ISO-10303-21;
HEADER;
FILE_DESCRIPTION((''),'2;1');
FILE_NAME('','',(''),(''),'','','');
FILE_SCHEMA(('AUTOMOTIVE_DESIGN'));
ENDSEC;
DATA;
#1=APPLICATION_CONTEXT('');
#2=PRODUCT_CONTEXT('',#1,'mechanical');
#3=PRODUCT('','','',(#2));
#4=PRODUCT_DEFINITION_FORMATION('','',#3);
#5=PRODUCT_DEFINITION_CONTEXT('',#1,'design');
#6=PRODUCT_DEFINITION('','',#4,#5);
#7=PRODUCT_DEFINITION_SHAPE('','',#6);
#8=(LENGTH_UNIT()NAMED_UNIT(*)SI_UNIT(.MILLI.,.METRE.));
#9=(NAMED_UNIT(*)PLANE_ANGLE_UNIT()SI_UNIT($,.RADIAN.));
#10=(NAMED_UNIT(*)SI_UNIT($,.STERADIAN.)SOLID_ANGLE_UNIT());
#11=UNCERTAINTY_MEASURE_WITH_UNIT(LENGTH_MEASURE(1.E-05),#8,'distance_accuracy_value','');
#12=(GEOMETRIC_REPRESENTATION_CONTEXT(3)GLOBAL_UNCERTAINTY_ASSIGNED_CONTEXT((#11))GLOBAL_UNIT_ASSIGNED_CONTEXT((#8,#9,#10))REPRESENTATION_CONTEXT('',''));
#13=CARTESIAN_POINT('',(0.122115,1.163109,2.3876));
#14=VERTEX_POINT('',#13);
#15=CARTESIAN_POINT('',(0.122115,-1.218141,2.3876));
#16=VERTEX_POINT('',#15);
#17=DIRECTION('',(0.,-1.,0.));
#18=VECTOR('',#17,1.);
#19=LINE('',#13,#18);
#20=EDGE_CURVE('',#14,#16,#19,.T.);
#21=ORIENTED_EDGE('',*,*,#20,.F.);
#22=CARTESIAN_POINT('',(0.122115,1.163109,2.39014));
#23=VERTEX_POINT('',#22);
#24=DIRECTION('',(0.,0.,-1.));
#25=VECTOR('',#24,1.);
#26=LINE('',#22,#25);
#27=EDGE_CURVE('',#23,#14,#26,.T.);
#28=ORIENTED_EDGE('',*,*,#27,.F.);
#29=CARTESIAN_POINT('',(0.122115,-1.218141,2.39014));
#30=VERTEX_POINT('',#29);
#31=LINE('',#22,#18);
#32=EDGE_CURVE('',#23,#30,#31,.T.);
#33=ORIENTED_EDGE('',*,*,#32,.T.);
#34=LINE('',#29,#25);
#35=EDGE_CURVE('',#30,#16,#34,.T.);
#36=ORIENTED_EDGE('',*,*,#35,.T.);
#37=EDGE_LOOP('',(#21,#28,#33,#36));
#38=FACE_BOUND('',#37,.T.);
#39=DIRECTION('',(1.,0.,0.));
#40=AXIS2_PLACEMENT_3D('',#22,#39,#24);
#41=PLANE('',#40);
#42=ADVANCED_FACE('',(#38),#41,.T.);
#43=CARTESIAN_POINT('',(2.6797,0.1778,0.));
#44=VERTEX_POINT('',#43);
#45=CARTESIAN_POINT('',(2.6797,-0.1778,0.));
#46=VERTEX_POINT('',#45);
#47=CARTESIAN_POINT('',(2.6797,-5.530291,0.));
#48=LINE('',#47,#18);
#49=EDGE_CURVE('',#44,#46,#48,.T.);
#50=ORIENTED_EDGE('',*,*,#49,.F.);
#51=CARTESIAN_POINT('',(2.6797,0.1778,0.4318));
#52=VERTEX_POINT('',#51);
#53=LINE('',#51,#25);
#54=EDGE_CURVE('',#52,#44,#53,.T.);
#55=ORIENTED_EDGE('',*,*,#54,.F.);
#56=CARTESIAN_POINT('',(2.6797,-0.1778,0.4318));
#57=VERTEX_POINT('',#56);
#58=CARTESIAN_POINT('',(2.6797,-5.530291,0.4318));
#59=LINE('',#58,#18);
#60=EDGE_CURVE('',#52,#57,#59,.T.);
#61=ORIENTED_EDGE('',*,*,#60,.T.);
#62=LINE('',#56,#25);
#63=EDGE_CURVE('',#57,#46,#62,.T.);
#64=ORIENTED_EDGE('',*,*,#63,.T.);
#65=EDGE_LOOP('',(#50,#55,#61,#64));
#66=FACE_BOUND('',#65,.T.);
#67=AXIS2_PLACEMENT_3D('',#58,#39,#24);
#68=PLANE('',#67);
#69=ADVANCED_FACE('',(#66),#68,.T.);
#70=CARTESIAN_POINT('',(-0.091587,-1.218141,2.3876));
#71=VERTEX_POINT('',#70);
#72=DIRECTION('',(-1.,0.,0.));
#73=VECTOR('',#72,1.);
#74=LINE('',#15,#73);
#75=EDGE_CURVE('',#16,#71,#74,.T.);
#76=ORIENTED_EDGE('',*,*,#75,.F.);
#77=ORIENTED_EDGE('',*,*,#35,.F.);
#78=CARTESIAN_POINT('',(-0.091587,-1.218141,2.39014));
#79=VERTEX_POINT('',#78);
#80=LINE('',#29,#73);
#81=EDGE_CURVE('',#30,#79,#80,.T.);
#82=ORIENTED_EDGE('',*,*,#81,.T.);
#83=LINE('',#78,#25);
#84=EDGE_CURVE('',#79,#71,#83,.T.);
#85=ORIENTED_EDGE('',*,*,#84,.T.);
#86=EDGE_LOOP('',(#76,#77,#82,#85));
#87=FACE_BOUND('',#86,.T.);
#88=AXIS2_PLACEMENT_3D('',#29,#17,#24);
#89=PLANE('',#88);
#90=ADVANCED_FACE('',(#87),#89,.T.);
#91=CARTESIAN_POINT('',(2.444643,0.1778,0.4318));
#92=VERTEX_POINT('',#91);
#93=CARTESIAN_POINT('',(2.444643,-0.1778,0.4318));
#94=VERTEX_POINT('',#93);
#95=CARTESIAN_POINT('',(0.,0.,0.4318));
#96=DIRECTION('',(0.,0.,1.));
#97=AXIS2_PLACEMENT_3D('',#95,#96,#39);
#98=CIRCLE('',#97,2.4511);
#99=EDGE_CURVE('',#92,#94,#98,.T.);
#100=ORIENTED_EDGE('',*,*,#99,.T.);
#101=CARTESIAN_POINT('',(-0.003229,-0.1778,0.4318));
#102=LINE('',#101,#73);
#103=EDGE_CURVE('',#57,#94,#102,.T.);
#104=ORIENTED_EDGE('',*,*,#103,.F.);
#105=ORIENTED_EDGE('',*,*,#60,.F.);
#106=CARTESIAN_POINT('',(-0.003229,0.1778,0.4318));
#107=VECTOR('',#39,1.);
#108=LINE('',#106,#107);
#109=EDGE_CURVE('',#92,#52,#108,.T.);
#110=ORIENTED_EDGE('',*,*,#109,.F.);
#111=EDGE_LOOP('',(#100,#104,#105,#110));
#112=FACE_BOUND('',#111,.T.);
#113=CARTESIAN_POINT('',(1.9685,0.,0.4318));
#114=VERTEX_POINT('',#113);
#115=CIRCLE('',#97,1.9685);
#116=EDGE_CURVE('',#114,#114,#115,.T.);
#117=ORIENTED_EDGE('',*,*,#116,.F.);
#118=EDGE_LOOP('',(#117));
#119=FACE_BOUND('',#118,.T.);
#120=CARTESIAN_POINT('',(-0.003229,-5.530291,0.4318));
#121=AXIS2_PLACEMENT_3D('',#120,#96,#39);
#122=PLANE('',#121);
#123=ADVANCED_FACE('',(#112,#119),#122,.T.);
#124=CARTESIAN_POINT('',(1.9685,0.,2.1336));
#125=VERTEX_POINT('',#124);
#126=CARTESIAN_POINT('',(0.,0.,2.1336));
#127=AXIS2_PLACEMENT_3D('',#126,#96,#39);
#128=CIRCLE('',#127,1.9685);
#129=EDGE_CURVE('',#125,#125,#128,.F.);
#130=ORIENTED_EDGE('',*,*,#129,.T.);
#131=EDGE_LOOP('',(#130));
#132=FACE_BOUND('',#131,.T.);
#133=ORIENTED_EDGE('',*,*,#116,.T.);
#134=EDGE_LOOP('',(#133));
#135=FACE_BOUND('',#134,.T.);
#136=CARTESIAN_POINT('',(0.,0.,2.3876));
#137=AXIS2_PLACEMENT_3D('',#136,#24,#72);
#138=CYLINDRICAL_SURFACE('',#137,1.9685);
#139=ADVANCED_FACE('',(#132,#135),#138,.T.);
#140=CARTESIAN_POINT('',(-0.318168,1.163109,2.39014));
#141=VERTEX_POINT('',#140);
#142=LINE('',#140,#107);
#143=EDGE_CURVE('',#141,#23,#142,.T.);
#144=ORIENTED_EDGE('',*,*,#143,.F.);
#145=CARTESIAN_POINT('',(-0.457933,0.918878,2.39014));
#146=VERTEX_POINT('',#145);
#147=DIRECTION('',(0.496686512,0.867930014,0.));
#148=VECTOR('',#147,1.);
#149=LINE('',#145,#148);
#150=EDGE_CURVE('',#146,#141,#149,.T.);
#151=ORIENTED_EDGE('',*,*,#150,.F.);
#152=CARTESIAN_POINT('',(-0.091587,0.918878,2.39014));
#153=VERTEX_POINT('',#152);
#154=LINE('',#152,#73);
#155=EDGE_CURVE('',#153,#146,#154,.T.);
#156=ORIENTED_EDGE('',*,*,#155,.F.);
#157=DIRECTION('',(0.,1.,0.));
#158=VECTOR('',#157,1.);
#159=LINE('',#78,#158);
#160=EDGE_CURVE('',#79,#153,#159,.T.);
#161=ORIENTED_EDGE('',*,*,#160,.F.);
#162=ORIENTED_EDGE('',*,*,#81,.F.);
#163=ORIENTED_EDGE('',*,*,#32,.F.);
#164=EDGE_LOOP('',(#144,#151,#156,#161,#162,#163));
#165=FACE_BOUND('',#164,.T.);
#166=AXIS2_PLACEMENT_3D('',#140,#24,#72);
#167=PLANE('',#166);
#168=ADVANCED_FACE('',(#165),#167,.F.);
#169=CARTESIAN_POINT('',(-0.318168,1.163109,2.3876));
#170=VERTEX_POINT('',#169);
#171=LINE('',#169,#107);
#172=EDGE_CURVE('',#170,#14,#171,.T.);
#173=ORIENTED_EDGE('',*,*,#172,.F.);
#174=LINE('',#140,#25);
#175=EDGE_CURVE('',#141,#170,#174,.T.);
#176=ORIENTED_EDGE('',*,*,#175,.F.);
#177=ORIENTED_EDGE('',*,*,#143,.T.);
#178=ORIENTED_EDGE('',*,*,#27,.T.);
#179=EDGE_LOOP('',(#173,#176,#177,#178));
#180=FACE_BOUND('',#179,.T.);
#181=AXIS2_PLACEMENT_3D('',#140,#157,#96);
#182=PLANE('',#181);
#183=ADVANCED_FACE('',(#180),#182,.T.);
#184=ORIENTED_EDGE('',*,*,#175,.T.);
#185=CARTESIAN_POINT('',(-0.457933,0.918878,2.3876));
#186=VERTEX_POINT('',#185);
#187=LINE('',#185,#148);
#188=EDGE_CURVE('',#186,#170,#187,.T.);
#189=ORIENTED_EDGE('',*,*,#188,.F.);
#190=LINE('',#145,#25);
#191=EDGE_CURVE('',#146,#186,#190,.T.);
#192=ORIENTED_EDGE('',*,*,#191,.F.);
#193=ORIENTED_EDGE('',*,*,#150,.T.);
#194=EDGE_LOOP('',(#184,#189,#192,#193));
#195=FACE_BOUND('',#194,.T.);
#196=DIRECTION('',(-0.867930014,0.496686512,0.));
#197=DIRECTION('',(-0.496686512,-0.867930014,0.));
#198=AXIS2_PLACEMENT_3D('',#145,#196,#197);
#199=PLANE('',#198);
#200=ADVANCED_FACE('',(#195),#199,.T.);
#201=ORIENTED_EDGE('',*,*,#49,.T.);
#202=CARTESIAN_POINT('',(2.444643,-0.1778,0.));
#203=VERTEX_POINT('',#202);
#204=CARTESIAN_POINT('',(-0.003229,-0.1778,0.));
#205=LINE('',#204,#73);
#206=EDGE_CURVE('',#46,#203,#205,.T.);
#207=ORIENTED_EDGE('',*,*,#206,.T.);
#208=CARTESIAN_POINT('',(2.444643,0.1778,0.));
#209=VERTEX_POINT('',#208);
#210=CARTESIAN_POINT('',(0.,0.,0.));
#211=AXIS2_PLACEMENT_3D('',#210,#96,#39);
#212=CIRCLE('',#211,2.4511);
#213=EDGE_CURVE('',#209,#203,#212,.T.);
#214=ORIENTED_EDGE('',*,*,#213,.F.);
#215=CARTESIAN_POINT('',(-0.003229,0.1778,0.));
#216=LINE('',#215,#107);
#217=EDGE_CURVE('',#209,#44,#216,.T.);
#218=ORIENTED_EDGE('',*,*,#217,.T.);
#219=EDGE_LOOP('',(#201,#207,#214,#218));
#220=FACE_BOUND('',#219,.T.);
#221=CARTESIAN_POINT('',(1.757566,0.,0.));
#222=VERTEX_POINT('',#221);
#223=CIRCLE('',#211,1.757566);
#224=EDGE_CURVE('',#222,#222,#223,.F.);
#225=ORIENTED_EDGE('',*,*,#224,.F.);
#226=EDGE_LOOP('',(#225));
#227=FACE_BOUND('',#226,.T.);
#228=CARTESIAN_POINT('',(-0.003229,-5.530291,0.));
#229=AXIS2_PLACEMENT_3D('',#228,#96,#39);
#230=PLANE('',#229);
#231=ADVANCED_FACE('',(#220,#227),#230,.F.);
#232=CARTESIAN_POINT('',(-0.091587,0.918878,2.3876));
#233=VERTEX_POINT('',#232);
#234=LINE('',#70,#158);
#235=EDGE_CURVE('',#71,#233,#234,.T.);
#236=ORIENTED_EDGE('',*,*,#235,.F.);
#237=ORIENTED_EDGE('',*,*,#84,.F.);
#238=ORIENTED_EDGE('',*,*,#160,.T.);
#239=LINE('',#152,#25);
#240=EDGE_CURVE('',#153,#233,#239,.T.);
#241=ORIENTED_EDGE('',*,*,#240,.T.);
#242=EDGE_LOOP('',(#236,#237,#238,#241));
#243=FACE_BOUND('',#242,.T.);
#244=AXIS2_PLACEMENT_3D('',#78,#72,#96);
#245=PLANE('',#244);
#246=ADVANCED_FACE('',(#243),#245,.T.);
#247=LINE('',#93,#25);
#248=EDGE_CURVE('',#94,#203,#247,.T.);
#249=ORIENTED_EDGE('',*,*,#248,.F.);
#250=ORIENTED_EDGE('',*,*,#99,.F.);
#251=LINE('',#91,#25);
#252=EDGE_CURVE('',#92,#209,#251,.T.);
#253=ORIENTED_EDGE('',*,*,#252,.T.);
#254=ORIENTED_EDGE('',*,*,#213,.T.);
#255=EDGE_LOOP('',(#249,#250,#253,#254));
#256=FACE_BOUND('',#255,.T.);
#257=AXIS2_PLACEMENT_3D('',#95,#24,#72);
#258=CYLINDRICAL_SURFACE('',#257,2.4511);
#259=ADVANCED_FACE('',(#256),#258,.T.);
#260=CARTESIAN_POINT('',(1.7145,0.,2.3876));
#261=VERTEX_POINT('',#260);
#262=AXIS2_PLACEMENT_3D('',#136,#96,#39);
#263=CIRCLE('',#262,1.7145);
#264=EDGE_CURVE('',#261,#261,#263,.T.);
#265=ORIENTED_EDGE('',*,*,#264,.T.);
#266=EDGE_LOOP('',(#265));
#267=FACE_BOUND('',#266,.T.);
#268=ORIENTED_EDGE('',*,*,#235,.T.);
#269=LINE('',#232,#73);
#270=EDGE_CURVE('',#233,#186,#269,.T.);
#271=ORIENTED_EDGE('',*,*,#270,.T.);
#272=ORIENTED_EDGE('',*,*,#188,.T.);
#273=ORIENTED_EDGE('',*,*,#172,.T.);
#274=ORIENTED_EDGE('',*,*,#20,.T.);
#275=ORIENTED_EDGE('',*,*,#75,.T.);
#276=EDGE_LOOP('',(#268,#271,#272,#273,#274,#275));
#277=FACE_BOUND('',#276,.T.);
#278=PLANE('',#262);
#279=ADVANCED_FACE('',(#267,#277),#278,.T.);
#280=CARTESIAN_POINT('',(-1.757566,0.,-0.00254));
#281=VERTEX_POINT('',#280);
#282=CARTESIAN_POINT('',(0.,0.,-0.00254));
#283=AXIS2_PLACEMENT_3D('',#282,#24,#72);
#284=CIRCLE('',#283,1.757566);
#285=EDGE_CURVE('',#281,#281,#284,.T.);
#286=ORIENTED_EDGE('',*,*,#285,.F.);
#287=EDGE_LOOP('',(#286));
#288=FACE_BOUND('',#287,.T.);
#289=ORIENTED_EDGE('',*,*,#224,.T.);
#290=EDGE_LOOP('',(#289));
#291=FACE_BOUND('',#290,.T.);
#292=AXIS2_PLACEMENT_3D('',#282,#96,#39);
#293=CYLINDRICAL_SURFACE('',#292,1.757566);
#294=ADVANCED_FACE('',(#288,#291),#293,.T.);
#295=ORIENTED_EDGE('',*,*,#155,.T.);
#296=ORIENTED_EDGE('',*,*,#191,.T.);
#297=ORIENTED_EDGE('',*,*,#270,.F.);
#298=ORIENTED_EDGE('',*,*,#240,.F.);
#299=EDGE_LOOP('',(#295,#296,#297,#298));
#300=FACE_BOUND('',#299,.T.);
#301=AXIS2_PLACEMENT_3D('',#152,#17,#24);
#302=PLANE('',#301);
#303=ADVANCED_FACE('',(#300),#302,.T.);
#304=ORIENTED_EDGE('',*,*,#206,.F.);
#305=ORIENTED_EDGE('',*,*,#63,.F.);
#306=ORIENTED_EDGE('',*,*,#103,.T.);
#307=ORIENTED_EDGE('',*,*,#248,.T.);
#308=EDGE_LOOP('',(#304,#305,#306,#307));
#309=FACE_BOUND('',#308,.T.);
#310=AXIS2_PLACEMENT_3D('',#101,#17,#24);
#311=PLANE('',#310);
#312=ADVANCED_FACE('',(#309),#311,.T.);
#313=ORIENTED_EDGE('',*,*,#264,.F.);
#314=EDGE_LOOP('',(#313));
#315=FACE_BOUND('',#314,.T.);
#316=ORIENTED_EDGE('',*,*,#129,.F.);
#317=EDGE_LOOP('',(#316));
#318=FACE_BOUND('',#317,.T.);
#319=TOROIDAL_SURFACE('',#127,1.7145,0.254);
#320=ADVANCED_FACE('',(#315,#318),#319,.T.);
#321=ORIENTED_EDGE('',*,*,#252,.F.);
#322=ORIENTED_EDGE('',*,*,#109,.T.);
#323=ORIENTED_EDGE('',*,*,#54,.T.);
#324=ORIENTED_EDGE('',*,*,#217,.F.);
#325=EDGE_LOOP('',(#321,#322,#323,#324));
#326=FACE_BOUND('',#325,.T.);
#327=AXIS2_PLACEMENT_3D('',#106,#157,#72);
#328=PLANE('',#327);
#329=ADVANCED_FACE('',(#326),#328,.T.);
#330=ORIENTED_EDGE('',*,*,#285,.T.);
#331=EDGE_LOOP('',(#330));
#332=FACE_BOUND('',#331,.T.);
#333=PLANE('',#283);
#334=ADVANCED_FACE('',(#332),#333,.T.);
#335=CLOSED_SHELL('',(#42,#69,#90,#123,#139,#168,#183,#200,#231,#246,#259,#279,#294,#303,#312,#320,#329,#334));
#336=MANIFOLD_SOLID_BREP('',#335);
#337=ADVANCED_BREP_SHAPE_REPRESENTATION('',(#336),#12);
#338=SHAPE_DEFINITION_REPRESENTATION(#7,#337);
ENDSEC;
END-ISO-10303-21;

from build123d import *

# Parameters (mm, degrees)
BOSS_EXTRUDE1_DEPTH = 0.4318
SKETCH2_R           = 1.9685
BOSS_EXTRUDE2_DEPTH = 1.9558
SKETCH3_R           = 1.757566481
BOSS_EXTRUDE3_DEPTH = 0.00254
FILLET1_R           = 0.254
BOSS_EXTRUDE4_DEPTH = 0.00254


with BuildPart() as part:
    # Sketch1 → Boss-Extrude1 (new body)
    with BuildSketch(Plane.XY):
        with BuildLine():
            Line((2.6797, 0.1778), (2.4511, 0.1778))
            Line((2.4511, 0.1778), (2.44464279, 0.1778))
            ThreePointArc((2.44464279, 0.1778), (-2.4511, 0), (2.44464279, -0.1778))
            Line((2.44464279, -0.1778), (2.4511, -0.1778))
            Line((2.4511, -0.1778), (2.6797, -0.1778))
            Line((2.6797, -0.1778), (2.6797, 0.1778))
        make_face()
    extrude(amount=BOSS_EXTRUDE1_DEPTH)

    # Sketch2 → Boss-Extrude2 (add)
    with BuildSketch(Plane.XY.offset(0.4318)):
        Circle(SKETCH2_R)
    extrude(amount=BOSS_EXTRUDE2_DEPTH)

    # Sketch3 → Boss-Extrude3 (add)
    with BuildSketch(Plane(origin=(0, 0, 0), x_dir=(-1, 0, 0), z_dir=(0, 0, -1))):
        Circle(SKETCH3_R)
    extrude(amount=BOSS_EXTRUDE3_DEPTH)

    # Fillet1
    fillet1_edges = [part.edges().sort_by_distance(p)[0] for p in [
        (-1.9685, 0, 2.3876),
    ]]
    fillet(fillet1_edges, radius=FILLET1_R)

    # Sketch4 → Boss-Extrude4 (add)
    with BuildSketch(Plane.XY.offset(2.3876)):
        Polygon((-0.318167819, 1.163108793), (0.122115385, 1.163108793), (0.122115385, -1.218141207), (-0.091586538, -1.218141207), (-0.091586538, 0.918878024), (-0.457932692, 0.918878024), align=None)
    extrude(amount=BOSS_EXTRUDE4_DEPTH)


solid = part.part
